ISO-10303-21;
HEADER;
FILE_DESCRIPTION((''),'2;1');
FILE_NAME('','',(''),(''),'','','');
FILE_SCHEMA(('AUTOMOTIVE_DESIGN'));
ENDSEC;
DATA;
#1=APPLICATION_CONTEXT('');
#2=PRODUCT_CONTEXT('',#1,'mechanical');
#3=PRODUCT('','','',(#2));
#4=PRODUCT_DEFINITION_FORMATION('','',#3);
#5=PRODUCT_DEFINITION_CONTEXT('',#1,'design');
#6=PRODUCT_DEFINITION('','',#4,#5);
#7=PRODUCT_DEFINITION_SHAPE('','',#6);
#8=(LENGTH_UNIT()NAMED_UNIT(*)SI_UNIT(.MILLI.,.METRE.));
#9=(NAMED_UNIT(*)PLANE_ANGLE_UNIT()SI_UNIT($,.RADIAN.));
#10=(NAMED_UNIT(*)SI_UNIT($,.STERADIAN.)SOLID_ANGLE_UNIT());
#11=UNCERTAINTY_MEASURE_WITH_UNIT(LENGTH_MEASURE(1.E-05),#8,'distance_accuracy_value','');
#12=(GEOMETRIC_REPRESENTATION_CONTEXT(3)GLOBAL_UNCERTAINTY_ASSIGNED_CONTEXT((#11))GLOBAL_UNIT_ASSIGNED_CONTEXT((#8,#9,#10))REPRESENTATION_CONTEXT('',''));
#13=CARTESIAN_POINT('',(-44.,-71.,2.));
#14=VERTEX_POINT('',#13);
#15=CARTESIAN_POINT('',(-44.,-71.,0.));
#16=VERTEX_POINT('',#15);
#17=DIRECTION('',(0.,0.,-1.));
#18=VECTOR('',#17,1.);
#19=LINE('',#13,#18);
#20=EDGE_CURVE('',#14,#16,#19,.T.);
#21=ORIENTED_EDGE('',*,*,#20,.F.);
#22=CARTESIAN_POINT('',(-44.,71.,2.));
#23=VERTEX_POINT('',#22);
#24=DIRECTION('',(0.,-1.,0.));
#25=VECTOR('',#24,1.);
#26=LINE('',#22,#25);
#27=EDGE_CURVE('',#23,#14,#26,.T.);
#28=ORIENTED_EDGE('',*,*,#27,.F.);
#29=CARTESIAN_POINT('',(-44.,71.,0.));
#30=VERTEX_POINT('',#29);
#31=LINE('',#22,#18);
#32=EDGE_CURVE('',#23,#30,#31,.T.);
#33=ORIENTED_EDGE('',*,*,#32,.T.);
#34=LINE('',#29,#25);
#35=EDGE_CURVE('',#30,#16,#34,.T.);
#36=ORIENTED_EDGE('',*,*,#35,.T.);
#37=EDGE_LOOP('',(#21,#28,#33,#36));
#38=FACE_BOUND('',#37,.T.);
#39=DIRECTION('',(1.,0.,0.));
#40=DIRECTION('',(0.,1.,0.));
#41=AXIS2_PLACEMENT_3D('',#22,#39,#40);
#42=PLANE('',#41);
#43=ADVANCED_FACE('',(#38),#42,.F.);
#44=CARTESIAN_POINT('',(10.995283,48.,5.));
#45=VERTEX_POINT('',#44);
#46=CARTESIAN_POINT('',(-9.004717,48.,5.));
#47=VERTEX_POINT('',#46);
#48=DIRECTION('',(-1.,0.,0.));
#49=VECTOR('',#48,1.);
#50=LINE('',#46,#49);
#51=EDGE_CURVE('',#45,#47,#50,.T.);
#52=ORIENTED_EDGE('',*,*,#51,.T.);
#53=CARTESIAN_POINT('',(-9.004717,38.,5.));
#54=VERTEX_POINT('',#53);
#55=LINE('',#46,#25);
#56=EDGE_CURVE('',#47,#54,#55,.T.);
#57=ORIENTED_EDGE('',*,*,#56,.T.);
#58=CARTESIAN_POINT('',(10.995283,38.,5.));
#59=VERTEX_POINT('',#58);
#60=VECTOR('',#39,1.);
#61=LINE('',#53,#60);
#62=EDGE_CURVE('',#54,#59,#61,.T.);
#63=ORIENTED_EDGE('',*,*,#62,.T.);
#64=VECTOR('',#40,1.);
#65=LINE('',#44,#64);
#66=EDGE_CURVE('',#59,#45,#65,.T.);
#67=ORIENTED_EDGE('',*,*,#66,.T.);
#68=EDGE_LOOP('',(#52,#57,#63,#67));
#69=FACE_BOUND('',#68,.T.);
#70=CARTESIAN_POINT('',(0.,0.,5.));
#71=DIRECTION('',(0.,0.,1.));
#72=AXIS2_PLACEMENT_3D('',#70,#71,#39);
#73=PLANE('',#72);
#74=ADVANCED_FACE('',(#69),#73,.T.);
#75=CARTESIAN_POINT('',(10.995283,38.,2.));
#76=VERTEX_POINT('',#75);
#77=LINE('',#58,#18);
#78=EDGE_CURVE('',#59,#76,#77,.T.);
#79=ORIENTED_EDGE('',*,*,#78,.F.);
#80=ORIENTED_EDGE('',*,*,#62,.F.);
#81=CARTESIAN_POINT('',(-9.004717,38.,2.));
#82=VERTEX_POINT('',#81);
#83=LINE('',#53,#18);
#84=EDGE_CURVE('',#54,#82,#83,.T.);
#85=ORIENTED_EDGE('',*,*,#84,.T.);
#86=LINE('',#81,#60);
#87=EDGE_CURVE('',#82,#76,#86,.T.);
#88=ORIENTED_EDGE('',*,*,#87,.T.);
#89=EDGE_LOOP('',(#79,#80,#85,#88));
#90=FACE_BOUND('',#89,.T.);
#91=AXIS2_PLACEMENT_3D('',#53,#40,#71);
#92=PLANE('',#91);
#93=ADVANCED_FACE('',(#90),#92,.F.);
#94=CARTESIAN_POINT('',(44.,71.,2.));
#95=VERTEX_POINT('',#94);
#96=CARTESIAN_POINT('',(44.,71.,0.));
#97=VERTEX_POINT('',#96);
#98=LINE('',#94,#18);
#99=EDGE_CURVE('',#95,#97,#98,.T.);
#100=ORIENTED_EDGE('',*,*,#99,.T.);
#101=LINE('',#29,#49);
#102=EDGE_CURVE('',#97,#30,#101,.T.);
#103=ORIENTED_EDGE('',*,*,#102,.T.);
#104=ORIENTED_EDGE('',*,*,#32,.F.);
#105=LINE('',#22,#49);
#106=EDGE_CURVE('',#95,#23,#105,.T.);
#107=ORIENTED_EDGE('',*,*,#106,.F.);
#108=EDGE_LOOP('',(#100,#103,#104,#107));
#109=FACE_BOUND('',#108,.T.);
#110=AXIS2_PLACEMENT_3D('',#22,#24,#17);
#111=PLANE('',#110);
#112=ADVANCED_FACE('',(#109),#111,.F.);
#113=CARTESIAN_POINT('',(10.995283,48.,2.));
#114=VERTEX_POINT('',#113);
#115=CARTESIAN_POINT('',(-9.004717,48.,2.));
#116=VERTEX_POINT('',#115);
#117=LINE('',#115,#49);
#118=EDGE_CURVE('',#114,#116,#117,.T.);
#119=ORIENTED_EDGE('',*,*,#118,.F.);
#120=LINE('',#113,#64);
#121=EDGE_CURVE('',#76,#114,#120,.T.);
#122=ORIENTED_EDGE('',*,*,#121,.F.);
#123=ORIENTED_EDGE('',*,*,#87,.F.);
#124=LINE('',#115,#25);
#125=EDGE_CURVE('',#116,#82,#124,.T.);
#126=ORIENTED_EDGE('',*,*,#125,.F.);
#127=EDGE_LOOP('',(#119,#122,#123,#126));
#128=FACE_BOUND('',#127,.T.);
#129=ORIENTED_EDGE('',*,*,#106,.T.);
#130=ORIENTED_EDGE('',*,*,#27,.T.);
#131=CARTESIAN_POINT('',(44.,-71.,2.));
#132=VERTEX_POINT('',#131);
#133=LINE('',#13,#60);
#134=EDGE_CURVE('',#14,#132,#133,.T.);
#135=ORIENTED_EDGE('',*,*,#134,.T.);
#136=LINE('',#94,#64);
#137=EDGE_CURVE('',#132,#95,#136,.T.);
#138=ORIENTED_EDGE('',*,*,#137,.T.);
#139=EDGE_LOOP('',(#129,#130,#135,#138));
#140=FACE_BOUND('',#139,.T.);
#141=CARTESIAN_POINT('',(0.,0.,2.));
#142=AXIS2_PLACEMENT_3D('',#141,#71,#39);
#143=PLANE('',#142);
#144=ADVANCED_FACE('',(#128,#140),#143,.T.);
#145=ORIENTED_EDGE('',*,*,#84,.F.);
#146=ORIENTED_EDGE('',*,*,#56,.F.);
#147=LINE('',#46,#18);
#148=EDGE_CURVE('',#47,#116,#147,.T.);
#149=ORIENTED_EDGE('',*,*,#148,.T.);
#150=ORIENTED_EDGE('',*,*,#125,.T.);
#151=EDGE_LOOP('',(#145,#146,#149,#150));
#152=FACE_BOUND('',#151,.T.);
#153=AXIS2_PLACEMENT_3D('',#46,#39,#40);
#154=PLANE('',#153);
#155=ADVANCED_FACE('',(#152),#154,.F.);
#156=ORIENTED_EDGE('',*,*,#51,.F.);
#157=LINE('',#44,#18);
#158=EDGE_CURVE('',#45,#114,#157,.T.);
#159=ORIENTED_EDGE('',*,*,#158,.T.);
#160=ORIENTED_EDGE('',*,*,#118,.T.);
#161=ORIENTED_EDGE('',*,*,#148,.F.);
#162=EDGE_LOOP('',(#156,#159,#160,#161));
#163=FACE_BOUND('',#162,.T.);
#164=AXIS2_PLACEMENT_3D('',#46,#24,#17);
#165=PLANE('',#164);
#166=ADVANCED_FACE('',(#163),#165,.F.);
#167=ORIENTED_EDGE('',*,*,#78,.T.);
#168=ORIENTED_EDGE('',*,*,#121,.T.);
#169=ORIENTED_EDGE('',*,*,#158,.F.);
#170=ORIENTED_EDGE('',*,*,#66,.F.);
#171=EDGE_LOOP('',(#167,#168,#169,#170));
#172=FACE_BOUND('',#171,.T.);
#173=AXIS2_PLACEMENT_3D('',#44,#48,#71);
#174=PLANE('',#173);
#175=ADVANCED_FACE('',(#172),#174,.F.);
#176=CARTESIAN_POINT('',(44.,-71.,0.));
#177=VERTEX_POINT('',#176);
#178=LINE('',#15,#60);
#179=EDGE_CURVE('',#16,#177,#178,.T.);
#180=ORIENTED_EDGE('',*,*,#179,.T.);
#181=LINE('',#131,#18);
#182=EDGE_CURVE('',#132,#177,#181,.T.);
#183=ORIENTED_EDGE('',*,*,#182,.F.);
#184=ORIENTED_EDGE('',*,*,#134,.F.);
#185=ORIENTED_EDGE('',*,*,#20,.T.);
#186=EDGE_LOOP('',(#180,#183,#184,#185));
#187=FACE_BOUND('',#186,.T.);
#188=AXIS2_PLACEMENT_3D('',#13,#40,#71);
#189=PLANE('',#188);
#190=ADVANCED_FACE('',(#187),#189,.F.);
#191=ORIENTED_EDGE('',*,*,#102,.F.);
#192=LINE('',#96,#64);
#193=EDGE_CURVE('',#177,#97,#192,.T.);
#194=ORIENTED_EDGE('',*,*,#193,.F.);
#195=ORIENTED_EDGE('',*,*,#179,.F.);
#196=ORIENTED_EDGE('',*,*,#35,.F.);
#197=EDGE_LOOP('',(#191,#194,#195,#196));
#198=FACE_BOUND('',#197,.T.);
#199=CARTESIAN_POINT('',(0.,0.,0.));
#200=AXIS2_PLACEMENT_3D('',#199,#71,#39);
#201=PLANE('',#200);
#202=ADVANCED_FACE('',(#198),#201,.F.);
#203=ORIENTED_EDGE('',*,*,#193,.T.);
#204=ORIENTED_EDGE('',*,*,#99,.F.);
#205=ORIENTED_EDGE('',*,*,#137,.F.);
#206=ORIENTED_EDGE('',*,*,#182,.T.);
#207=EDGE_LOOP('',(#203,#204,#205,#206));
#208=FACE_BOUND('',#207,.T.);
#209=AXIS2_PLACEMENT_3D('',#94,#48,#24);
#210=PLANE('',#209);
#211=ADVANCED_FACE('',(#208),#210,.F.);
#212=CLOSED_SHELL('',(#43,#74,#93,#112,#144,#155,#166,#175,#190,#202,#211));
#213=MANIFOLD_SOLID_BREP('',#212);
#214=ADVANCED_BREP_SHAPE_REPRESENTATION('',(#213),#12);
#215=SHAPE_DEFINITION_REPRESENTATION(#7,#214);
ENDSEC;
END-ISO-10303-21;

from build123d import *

# Parameters (mm, degrees)
SKETCH1_W           = 88
SKETCH1_H           = 142
BOSS_EXTRUDE1_DEPTH = 2
SKETCH2_W           = 20
SKETCH2_H           = 10
BOSS_EXTRUDE2_DEPTH = 3


with BuildPart() as part:
    # Sketch1 → Boss-Extrude1 (new body)
    with BuildSketch(Plane.XY):
        Rectangle(SKETCH1_W, SKETCH1_H)
    extrude(amount=BOSS_EXTRUDE1_DEPTH)

    # Sketch2 → Boss-Extrude2 (add)
    with BuildSketch(Plane.XY.offset(2)):
        with Locations((0.995282848, 43)):
            Rectangle(SKETCH2_W, SKETCH2_H)
    extrude(amount=BOSS_EXTRUDE2_DEPTH)


solid = part.part
